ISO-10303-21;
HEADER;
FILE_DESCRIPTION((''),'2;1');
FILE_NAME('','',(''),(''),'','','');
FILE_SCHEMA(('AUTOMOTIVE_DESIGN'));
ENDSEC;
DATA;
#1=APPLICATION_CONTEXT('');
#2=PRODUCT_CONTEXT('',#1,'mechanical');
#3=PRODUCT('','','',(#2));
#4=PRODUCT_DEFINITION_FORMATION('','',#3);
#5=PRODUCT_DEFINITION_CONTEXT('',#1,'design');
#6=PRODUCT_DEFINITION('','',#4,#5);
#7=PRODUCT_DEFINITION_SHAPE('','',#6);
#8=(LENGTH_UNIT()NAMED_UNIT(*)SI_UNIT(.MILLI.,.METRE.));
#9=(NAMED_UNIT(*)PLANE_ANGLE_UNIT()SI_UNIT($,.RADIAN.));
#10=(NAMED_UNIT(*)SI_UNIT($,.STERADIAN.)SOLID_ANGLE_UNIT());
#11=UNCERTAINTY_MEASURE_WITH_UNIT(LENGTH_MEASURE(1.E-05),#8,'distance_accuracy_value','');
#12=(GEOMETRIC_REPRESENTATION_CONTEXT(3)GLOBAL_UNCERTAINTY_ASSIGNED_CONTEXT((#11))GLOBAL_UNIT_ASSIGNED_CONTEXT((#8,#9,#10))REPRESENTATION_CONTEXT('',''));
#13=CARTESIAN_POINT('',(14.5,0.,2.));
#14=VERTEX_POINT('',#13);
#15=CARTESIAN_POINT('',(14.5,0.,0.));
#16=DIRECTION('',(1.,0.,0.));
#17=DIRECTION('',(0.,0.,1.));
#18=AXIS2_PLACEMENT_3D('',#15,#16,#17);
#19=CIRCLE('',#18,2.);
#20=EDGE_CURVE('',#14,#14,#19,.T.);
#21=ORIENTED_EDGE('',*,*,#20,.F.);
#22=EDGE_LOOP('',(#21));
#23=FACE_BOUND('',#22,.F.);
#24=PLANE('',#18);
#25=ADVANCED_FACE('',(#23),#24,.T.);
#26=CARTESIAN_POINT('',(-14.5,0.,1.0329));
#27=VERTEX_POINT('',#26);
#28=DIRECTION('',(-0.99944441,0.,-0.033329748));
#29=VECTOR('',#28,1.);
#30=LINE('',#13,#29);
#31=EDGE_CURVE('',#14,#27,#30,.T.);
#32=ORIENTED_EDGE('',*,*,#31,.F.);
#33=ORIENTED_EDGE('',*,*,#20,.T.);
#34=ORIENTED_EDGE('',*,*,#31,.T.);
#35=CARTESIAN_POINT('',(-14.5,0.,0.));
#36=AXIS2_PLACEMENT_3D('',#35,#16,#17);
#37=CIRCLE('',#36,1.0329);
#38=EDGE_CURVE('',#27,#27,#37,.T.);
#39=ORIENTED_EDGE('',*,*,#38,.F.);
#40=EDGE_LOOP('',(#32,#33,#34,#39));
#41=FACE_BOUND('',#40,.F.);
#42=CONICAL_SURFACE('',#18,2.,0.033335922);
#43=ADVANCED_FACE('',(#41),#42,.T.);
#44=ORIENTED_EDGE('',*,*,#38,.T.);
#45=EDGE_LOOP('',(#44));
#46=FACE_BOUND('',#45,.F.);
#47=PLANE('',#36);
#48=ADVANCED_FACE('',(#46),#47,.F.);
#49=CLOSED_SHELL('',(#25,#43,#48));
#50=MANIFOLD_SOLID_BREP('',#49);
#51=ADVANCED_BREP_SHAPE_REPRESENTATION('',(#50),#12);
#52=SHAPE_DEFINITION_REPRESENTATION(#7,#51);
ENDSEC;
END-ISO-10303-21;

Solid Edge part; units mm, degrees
sketch "Sketch1" plane through (0, 0, 0) normal (0, -1, 0) x (1, 0, 0)
  line L0 (14.5, 2) -> (-14.5, 1.0329)
  line L1 (-14.5, 1.0329) -> (-14.5, 0)
  line L2 (-14.5, 0) -> (14.5, 0)
  line L3 (14.5, 0) -> (14.5, 2)
revolve "RevolvedProtrusion1" add sketch "Sketch1" angle 360 about axis through (-14.5, 0, 0) along (1, 0, 0)
